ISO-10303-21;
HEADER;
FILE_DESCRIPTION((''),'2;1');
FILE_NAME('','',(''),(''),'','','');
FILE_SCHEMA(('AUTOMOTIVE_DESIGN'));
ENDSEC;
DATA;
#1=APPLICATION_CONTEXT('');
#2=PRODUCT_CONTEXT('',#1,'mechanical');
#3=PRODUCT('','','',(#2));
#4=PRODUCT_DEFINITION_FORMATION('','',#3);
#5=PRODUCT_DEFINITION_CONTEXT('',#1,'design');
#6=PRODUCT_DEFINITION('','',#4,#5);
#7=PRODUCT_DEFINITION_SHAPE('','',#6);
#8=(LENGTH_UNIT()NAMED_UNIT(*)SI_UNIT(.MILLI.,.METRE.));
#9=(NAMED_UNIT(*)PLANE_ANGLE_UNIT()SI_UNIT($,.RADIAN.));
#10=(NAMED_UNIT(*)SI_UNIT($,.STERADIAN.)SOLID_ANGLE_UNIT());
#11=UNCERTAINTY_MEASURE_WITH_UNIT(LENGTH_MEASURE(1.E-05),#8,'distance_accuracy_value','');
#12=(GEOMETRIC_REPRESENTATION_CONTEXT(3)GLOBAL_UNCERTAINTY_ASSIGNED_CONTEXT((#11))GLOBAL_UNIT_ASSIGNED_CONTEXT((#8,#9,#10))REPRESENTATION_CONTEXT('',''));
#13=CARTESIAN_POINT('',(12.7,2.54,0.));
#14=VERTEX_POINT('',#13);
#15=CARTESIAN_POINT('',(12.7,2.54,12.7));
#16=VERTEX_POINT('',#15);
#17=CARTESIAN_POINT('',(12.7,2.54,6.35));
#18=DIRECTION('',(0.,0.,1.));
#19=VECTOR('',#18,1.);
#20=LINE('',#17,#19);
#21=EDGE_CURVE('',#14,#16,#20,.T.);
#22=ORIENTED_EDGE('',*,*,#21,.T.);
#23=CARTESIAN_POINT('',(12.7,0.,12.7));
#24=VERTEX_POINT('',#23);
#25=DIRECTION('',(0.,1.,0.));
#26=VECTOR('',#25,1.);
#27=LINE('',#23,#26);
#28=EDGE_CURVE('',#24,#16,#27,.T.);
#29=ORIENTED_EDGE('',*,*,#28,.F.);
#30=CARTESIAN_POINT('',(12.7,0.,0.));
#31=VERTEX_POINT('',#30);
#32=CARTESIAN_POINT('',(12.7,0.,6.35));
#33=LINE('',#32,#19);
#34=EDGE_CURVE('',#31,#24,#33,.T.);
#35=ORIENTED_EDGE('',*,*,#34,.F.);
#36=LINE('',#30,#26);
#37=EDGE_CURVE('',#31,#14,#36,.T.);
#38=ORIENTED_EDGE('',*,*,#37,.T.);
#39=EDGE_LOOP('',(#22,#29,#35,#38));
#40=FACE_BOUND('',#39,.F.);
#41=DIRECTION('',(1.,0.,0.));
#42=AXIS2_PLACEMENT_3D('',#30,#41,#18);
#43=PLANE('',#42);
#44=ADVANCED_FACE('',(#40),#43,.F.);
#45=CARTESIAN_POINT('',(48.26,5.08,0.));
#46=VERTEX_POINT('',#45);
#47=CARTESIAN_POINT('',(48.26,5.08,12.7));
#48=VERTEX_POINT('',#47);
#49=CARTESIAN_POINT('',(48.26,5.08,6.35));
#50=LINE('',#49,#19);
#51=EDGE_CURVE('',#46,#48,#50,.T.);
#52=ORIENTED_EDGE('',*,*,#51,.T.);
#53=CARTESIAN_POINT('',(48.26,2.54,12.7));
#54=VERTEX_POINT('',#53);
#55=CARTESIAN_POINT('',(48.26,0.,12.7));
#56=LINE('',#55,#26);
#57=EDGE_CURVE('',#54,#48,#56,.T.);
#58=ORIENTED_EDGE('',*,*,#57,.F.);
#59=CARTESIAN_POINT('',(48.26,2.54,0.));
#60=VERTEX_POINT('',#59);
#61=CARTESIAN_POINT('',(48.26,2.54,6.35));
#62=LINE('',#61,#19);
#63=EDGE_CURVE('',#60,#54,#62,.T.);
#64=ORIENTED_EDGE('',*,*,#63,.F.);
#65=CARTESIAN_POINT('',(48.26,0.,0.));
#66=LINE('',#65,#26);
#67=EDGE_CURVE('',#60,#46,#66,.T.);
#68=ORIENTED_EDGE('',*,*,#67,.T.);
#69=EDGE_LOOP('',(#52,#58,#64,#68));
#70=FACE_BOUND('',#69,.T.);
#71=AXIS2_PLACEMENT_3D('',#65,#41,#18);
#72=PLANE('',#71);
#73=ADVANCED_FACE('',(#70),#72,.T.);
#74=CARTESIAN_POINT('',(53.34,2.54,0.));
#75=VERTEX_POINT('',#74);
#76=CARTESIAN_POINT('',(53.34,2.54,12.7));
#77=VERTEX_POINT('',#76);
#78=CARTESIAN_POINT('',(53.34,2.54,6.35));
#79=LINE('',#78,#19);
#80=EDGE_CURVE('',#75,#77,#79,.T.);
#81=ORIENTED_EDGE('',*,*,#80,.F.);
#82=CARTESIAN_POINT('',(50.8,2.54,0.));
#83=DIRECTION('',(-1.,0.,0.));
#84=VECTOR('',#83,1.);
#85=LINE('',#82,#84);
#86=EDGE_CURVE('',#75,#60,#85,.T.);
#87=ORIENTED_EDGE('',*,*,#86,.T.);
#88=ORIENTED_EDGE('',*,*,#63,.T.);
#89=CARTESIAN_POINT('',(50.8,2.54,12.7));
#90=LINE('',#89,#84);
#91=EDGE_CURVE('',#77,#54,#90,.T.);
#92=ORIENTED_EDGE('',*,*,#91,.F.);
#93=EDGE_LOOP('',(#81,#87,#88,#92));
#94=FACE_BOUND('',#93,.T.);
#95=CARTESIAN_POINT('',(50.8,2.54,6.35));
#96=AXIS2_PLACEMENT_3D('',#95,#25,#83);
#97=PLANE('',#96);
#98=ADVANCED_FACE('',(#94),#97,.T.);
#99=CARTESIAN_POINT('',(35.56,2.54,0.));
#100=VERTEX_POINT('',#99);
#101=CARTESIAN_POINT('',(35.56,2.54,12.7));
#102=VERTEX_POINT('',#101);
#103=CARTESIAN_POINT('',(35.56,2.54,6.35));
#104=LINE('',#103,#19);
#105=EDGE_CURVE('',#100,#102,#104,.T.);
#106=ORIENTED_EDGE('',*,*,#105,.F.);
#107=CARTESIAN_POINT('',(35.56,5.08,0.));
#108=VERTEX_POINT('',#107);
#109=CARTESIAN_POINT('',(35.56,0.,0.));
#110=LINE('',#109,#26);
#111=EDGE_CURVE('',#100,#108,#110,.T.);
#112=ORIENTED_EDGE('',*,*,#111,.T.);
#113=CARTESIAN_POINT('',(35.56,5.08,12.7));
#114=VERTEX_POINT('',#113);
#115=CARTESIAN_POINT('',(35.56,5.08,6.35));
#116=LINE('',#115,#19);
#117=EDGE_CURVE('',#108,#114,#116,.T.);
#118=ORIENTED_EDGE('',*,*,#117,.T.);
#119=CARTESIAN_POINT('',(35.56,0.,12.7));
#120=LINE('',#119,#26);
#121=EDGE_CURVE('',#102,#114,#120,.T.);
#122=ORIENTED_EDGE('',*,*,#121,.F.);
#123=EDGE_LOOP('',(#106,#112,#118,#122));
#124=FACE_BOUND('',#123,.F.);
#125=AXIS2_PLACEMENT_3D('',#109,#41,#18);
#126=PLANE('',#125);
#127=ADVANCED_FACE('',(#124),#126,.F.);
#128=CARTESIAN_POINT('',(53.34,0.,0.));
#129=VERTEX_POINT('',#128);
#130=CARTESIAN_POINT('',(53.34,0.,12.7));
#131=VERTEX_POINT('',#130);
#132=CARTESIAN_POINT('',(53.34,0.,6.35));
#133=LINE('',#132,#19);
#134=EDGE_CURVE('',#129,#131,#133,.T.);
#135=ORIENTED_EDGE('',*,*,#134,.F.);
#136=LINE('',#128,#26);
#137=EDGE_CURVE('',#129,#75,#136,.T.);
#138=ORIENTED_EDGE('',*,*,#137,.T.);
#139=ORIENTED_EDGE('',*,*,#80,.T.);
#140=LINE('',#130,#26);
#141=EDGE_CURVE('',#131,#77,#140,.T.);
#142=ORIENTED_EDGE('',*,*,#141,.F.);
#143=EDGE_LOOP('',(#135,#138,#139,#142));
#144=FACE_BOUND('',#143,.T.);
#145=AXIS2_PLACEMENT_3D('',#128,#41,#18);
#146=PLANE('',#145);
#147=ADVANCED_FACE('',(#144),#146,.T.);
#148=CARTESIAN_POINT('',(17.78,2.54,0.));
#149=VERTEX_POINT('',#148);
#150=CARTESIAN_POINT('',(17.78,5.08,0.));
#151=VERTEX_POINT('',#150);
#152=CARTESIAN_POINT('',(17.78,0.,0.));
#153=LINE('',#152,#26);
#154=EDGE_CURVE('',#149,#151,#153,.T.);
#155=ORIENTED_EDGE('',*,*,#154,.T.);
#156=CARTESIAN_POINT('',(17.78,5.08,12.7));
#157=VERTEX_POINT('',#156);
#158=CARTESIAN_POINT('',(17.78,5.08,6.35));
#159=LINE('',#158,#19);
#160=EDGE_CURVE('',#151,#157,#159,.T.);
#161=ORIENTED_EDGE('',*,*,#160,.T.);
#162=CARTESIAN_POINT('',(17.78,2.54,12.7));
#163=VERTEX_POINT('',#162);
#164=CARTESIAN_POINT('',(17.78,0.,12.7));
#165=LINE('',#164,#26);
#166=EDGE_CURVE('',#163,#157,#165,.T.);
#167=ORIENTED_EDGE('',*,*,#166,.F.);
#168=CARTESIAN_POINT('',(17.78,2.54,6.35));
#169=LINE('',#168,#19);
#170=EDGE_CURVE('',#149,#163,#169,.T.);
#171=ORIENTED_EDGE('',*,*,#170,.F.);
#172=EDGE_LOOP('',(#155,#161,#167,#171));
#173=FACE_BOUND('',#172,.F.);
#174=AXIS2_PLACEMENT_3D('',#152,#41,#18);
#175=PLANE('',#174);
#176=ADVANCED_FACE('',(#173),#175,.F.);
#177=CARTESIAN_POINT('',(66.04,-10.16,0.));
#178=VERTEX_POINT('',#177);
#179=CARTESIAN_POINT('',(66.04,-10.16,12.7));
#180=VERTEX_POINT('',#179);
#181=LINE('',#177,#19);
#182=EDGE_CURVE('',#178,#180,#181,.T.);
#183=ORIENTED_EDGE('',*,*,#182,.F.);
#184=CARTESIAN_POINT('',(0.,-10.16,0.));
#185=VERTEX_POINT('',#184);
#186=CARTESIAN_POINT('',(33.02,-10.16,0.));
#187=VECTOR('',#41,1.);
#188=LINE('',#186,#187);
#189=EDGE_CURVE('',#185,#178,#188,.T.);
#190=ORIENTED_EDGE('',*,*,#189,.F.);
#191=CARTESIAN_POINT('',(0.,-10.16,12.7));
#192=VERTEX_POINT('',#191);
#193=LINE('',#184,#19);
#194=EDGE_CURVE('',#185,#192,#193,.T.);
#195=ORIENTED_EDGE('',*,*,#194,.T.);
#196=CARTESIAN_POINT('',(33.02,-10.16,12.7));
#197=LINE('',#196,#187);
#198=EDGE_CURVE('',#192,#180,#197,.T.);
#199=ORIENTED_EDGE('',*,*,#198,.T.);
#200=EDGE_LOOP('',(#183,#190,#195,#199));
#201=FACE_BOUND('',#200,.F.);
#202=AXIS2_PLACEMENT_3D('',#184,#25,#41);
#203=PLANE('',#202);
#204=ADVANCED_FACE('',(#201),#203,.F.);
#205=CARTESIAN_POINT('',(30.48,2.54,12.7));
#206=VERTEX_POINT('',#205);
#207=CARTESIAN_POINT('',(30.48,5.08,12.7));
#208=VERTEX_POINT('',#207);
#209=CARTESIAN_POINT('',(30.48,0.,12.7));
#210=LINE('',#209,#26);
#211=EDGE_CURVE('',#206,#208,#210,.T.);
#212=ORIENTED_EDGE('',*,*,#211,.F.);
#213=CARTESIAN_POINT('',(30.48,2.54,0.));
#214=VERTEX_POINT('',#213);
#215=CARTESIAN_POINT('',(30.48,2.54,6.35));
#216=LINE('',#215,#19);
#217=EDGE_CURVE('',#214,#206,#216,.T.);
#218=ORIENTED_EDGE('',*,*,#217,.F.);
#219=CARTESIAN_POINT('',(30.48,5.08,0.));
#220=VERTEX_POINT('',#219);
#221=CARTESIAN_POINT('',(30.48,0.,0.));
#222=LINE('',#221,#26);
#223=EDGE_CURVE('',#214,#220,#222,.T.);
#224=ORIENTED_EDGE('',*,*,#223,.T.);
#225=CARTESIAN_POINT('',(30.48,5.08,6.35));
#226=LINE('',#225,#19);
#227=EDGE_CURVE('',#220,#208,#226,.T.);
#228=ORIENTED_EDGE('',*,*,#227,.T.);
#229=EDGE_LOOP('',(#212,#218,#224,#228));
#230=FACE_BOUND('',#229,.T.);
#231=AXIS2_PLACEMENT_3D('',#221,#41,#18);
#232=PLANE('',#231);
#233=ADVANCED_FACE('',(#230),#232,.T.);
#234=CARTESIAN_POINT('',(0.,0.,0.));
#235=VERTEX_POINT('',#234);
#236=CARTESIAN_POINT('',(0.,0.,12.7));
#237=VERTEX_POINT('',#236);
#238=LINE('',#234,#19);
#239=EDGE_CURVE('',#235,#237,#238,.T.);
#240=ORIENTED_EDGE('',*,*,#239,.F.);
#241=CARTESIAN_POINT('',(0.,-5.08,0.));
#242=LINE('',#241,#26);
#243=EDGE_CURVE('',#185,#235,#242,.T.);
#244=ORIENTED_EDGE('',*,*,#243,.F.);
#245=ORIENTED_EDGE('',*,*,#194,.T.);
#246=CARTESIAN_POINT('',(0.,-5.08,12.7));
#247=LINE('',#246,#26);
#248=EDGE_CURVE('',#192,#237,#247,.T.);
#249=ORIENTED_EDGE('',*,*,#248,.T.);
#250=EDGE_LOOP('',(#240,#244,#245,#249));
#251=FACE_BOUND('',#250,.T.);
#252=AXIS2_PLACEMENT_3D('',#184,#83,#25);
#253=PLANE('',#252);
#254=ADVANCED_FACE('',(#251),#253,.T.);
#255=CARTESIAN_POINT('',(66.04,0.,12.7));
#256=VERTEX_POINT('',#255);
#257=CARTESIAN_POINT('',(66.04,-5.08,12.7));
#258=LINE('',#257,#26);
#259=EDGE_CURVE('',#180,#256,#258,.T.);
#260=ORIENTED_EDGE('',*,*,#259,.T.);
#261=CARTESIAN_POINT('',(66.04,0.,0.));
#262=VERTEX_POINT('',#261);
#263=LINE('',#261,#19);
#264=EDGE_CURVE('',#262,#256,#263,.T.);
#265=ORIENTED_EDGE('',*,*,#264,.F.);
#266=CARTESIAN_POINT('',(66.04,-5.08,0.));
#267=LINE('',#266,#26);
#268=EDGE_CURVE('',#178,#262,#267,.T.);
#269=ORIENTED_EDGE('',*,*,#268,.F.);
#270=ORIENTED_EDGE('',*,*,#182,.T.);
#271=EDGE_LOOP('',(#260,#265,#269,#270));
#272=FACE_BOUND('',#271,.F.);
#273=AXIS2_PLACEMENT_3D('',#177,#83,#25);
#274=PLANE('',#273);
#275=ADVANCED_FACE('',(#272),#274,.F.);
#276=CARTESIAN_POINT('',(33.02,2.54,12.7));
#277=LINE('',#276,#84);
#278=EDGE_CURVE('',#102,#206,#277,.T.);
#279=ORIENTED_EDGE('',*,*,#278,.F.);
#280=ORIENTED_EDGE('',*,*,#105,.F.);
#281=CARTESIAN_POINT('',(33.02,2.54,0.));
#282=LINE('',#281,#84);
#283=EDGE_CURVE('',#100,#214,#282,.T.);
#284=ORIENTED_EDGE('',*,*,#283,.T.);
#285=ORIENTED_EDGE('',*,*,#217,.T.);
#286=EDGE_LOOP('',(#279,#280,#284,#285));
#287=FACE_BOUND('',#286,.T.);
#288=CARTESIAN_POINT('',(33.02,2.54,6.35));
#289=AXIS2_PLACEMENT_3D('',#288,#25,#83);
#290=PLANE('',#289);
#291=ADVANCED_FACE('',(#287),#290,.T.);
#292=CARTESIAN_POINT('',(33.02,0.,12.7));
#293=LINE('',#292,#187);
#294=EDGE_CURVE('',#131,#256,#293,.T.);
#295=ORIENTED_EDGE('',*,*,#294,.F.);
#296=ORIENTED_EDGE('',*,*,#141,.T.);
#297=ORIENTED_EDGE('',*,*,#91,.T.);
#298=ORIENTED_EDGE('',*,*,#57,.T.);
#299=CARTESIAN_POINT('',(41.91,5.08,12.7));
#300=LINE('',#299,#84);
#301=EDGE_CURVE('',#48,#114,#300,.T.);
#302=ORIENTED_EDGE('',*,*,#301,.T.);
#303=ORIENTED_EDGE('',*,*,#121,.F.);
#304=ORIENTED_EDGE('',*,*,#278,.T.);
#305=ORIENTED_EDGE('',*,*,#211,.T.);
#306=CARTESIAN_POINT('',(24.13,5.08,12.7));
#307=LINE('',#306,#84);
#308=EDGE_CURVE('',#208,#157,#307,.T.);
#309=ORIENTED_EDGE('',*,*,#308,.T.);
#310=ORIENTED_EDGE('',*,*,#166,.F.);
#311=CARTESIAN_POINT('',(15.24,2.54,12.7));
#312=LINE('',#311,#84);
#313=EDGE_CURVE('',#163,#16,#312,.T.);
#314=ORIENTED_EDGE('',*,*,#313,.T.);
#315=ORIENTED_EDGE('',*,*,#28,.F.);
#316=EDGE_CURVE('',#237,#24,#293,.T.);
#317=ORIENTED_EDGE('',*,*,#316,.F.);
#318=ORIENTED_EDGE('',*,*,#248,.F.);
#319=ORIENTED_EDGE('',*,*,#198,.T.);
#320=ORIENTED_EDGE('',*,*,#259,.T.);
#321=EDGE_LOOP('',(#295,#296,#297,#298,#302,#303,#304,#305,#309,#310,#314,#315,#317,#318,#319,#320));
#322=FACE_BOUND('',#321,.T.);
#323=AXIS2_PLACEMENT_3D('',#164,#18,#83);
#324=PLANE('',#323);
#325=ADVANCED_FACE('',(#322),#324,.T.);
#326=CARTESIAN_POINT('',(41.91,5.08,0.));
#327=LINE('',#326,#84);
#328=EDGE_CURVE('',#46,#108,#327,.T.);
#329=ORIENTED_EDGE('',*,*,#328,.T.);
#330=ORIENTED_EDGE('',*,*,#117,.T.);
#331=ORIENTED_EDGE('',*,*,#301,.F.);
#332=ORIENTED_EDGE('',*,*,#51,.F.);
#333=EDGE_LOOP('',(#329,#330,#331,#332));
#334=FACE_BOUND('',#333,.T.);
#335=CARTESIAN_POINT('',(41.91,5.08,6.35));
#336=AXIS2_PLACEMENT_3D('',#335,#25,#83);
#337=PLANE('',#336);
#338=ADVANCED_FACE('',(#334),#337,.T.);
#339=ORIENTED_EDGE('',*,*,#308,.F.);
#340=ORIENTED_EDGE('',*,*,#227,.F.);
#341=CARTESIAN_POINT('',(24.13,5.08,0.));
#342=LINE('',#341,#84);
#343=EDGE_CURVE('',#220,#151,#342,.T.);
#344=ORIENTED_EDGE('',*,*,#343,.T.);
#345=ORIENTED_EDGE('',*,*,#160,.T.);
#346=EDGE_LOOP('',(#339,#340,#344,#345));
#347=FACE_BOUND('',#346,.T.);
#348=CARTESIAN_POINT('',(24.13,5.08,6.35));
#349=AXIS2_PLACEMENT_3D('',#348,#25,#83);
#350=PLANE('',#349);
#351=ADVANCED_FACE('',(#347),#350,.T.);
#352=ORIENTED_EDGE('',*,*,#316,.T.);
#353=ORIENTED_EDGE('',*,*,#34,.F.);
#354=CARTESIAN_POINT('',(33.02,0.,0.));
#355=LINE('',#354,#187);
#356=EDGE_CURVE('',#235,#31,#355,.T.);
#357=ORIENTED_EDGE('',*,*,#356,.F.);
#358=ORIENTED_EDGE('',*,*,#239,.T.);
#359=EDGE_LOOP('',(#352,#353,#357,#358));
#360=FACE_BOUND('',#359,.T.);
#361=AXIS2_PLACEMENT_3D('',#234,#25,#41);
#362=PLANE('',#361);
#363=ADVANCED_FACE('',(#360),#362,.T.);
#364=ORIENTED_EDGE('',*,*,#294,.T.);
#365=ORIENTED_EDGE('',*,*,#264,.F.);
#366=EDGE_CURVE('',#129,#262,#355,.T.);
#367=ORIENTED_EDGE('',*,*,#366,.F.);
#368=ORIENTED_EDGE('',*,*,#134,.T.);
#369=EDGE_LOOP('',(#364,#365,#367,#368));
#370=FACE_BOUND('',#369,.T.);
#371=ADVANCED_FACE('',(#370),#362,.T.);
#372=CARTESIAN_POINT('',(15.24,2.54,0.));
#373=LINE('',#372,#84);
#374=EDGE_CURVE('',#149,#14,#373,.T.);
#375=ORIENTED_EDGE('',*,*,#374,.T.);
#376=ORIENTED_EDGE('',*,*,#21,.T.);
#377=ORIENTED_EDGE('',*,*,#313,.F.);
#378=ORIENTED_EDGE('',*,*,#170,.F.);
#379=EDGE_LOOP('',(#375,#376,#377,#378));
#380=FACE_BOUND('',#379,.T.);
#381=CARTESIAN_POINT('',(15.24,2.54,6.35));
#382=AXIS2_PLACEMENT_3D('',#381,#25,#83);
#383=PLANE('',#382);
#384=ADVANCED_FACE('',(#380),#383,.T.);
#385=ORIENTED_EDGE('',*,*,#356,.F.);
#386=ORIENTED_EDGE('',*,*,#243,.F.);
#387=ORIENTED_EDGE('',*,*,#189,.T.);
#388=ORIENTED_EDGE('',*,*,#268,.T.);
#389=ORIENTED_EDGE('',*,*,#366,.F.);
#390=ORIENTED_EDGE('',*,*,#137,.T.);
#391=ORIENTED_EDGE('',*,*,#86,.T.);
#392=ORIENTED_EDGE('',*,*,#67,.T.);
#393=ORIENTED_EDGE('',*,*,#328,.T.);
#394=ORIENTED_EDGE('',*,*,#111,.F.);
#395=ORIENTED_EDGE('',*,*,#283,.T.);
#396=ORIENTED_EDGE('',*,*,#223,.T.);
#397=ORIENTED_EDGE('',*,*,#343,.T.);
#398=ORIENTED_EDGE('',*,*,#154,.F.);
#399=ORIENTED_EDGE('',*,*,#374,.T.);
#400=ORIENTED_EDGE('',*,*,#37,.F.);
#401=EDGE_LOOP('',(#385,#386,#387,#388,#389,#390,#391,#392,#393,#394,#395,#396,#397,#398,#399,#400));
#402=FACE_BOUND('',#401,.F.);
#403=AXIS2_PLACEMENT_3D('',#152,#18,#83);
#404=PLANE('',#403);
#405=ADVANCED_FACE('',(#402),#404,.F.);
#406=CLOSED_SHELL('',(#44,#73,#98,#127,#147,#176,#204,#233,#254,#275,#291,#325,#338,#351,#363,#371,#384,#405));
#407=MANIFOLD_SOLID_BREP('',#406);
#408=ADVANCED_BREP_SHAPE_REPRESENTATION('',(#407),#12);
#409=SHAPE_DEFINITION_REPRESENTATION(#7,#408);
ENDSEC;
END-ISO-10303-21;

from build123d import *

# Parameters (mm, degrees)
F0_W     = 66.04
F0_H     = 10.16
F1_DEPTH = 12.7
F2_W     = 12.7
F2_H     = 12.7
F3_DEPTH = 5.08
F2_W_2   = 5.08
F4_DEPTH = 2.54


with BuildPart() as f1:
    # F0 (on Top) → F1 (new body)
    with BuildSketch(Plane.XY):
        with Locations((33.02, -5.08)):
            Rectangle(F0_W, F0_H)
    extrude(amount=F1_DEPTH)

    # F2 (on face) → F3 (join)
    with BuildSketch(Plane(origin=(0, 0, 0), x_dir=(-1, 0, 0), z_dir=(0, 1, 0))):
        with Locations((-24.13, 6.35)):
            Rectangle(F2_W, F2_H)
        with Locations((-41.91, 6.35)):
            Rectangle(F2_W, F2_H)
    extrude(amount=F3_DEPTH)

    # F2 (on face) → F4 (join)
    with BuildSketch(Plane(origin=(0, 0, 0), x_dir=(-1, 0, 0), z_dir=(0, 1, 0))):
        with Locations((-15.24, 6.35)):
            Rectangle(F2_W_2, F2_H)
        with Locations((-33.02, 6.35)):
            Rectangle(F2_W_2, F2_H)
        with Locations((-50.8, 6.35)):
            Rectangle(F2_W_2, F2_H)
    extrude(amount=F4_DEPTH)


solid = f1.part
